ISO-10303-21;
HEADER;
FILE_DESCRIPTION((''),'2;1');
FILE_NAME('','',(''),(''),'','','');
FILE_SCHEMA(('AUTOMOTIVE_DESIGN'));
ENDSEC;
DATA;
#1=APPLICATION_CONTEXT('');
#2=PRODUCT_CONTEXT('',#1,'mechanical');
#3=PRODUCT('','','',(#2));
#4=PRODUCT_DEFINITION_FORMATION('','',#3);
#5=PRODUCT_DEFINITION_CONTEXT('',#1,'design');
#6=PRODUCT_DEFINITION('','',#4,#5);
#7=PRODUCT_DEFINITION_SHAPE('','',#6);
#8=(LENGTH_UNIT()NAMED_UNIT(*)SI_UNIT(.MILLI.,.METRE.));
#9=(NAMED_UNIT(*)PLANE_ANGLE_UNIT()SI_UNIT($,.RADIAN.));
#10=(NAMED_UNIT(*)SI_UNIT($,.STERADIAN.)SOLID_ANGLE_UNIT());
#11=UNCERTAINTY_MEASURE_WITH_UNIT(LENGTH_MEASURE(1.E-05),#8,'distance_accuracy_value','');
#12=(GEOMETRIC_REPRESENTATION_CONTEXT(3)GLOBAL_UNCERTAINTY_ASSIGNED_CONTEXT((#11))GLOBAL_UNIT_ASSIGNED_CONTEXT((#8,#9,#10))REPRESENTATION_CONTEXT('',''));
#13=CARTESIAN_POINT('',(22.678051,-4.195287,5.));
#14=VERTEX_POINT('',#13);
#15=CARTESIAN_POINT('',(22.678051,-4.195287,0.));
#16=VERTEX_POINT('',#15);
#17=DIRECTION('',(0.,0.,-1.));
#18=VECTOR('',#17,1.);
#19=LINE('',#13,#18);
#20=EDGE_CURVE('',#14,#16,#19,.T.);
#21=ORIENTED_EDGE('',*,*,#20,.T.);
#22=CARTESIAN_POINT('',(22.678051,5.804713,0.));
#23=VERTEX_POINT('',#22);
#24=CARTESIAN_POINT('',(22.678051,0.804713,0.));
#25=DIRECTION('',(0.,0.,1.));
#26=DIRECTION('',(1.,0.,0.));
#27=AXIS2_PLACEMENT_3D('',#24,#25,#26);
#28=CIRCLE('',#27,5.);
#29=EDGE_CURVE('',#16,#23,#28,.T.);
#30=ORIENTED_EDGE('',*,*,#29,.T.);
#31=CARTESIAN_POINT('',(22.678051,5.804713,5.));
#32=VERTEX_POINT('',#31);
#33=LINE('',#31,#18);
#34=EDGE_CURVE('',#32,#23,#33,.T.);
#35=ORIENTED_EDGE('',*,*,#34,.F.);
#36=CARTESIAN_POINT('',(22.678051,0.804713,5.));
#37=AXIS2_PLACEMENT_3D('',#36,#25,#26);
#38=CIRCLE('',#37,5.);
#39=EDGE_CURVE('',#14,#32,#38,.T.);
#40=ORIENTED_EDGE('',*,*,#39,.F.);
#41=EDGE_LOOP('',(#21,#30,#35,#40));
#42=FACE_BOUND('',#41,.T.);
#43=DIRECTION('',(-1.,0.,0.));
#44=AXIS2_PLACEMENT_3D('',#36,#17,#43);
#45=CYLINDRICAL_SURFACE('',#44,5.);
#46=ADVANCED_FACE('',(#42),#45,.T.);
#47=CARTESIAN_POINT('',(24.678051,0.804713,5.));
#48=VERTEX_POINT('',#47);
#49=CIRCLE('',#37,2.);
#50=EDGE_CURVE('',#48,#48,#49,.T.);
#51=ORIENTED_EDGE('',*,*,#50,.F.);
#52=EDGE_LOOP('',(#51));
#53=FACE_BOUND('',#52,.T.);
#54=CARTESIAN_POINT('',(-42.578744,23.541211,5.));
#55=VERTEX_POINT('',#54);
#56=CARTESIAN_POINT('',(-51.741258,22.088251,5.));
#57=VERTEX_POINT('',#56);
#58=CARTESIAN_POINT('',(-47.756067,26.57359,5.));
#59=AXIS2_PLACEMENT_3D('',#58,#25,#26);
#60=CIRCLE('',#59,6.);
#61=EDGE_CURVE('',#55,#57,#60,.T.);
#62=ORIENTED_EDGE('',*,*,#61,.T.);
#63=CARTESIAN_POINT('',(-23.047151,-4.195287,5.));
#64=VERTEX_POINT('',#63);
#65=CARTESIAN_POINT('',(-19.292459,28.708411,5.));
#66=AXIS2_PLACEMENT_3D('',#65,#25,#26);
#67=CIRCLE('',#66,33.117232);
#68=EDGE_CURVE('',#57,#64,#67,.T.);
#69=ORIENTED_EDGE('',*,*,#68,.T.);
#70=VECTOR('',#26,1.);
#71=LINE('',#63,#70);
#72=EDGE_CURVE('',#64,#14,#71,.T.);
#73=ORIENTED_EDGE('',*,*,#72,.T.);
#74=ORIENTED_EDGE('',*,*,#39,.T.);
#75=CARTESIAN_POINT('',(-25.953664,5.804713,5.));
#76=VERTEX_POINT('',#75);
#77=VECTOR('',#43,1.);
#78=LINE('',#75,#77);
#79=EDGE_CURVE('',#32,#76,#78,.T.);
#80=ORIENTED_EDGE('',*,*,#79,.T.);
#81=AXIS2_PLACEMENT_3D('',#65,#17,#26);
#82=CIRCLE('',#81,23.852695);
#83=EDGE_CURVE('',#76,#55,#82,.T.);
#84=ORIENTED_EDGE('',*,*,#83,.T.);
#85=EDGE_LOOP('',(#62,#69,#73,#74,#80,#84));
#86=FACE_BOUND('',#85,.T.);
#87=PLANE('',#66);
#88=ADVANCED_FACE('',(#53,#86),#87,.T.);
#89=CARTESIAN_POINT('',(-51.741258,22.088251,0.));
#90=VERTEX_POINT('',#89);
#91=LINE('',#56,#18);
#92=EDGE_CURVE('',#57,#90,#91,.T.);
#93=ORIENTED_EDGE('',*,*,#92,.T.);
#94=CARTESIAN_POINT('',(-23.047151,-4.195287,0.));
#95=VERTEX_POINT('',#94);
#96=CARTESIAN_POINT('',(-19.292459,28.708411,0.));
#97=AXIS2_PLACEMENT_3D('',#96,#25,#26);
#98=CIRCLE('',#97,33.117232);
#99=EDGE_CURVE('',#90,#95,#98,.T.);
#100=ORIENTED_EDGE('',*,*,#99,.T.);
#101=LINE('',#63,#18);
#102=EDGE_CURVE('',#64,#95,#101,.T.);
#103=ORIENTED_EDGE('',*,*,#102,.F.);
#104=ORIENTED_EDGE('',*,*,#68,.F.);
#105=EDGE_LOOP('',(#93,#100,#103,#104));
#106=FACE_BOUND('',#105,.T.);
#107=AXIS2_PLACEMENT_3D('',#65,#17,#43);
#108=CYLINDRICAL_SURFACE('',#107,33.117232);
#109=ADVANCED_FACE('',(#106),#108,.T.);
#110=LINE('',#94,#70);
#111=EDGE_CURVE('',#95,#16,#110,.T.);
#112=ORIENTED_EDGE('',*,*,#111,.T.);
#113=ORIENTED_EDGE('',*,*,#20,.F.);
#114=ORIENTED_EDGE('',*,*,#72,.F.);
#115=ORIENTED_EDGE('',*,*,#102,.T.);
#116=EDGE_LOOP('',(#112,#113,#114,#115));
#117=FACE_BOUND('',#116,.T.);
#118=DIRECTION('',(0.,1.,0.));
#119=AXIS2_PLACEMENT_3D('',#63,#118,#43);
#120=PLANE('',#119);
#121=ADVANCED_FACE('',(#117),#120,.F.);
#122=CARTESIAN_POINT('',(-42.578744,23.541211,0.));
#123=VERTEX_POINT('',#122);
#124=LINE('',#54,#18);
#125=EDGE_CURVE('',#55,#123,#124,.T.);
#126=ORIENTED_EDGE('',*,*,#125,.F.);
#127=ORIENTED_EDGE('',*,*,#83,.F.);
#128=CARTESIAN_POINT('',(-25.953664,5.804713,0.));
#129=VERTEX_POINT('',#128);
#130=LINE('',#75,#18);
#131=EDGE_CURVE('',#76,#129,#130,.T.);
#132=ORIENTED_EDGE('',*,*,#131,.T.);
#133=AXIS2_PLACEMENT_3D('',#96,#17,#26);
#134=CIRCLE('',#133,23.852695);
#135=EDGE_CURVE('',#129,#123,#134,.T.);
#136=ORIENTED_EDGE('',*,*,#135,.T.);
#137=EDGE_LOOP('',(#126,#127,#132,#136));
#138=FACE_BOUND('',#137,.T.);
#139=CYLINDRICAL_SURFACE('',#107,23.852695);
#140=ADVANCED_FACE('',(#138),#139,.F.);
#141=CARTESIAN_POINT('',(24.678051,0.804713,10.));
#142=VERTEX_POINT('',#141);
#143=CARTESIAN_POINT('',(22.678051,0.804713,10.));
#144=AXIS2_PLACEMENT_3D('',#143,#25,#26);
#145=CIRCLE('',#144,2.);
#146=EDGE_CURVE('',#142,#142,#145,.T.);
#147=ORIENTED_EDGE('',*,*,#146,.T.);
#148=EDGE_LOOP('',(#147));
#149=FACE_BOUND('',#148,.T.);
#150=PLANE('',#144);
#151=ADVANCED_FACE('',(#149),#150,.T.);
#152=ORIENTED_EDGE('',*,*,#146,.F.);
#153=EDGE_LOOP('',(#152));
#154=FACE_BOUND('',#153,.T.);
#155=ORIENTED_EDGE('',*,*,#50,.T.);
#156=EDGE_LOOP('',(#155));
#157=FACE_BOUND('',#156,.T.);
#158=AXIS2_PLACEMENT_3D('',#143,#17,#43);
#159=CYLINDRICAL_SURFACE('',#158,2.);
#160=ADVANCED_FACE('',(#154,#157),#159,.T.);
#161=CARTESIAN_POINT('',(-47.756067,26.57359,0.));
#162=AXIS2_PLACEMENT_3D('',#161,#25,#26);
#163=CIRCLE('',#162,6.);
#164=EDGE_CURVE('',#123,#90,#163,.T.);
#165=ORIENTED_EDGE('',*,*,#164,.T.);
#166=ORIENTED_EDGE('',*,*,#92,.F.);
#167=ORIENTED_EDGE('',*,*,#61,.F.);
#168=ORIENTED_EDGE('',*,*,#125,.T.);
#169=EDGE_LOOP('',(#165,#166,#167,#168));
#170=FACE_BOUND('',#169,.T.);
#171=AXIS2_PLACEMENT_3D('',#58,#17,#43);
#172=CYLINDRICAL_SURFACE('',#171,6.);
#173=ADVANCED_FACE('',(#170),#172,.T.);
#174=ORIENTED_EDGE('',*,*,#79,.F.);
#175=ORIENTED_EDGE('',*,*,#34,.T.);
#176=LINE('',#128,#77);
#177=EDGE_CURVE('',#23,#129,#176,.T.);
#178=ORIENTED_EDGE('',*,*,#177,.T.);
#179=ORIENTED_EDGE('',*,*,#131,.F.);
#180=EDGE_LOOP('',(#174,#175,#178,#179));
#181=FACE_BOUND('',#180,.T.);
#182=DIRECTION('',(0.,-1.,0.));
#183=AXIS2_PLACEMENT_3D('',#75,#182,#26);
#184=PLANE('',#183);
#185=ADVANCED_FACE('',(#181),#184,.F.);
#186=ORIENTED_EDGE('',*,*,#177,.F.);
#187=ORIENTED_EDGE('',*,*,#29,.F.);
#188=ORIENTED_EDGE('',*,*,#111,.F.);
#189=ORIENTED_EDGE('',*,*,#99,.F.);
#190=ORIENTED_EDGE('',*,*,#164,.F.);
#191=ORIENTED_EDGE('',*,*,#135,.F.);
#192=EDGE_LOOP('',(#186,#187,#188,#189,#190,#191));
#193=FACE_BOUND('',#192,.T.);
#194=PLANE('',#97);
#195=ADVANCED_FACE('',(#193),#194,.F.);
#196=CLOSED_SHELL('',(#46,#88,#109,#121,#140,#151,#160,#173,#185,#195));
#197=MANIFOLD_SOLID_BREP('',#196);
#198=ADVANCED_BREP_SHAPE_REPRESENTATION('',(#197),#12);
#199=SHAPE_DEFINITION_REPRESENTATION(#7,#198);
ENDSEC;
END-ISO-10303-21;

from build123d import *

# Parameters (mm, degrees)
SALIENTE_EXTRUIR1_DEPTH = 5
CROQUIS2_R              = 2
SALIENTE_EXTRUIR2_DEPTH = 5


with BuildPart() as part:
    # Croquis1 → Saliente-Extruir1 (new body)
    with BuildSketch(Plane.XY):
        with BuildLine():
            Line((-25.953664325, 5.804713338), (22.678050908, 5.804713338))
            ThreePointArc((22.678050908, 5.804713338), (27.678050908, 0.804713338), (22.678050908, -4.195286662))
            Line((22.678050908, -4.195286662), (-23.047151147, -4.195286662))
            ThreePointArc((-23.047151147, -4.195286662), (-41.661617991, 4.287687085), (-51.741257509, 22.088251307))
            ThreePointArc((-51.741257509, 22.088251307), (-48.695784379, 32.499543684), (-42.578743977, 23.541210565))
            ThreePointArc((-42.578743977, 23.541210565), (-36.695300038, 12.396079877), (-25.953664325, 5.804713338))
        make_face()
    extrude(amount=SALIENTE_EXTRUIR1_DEPTH)

    # Croquis2 → Saliente-Extruir2 (add)
    with BuildSketch(Plane.XY.offset(5)):
        with Locations((22.678050908, 0.804713338)):
            Circle(CROQUIS2_R)
    extrude(amount=SALIENTE_EXTRUIR2_DEPTH)


solid = part.part
